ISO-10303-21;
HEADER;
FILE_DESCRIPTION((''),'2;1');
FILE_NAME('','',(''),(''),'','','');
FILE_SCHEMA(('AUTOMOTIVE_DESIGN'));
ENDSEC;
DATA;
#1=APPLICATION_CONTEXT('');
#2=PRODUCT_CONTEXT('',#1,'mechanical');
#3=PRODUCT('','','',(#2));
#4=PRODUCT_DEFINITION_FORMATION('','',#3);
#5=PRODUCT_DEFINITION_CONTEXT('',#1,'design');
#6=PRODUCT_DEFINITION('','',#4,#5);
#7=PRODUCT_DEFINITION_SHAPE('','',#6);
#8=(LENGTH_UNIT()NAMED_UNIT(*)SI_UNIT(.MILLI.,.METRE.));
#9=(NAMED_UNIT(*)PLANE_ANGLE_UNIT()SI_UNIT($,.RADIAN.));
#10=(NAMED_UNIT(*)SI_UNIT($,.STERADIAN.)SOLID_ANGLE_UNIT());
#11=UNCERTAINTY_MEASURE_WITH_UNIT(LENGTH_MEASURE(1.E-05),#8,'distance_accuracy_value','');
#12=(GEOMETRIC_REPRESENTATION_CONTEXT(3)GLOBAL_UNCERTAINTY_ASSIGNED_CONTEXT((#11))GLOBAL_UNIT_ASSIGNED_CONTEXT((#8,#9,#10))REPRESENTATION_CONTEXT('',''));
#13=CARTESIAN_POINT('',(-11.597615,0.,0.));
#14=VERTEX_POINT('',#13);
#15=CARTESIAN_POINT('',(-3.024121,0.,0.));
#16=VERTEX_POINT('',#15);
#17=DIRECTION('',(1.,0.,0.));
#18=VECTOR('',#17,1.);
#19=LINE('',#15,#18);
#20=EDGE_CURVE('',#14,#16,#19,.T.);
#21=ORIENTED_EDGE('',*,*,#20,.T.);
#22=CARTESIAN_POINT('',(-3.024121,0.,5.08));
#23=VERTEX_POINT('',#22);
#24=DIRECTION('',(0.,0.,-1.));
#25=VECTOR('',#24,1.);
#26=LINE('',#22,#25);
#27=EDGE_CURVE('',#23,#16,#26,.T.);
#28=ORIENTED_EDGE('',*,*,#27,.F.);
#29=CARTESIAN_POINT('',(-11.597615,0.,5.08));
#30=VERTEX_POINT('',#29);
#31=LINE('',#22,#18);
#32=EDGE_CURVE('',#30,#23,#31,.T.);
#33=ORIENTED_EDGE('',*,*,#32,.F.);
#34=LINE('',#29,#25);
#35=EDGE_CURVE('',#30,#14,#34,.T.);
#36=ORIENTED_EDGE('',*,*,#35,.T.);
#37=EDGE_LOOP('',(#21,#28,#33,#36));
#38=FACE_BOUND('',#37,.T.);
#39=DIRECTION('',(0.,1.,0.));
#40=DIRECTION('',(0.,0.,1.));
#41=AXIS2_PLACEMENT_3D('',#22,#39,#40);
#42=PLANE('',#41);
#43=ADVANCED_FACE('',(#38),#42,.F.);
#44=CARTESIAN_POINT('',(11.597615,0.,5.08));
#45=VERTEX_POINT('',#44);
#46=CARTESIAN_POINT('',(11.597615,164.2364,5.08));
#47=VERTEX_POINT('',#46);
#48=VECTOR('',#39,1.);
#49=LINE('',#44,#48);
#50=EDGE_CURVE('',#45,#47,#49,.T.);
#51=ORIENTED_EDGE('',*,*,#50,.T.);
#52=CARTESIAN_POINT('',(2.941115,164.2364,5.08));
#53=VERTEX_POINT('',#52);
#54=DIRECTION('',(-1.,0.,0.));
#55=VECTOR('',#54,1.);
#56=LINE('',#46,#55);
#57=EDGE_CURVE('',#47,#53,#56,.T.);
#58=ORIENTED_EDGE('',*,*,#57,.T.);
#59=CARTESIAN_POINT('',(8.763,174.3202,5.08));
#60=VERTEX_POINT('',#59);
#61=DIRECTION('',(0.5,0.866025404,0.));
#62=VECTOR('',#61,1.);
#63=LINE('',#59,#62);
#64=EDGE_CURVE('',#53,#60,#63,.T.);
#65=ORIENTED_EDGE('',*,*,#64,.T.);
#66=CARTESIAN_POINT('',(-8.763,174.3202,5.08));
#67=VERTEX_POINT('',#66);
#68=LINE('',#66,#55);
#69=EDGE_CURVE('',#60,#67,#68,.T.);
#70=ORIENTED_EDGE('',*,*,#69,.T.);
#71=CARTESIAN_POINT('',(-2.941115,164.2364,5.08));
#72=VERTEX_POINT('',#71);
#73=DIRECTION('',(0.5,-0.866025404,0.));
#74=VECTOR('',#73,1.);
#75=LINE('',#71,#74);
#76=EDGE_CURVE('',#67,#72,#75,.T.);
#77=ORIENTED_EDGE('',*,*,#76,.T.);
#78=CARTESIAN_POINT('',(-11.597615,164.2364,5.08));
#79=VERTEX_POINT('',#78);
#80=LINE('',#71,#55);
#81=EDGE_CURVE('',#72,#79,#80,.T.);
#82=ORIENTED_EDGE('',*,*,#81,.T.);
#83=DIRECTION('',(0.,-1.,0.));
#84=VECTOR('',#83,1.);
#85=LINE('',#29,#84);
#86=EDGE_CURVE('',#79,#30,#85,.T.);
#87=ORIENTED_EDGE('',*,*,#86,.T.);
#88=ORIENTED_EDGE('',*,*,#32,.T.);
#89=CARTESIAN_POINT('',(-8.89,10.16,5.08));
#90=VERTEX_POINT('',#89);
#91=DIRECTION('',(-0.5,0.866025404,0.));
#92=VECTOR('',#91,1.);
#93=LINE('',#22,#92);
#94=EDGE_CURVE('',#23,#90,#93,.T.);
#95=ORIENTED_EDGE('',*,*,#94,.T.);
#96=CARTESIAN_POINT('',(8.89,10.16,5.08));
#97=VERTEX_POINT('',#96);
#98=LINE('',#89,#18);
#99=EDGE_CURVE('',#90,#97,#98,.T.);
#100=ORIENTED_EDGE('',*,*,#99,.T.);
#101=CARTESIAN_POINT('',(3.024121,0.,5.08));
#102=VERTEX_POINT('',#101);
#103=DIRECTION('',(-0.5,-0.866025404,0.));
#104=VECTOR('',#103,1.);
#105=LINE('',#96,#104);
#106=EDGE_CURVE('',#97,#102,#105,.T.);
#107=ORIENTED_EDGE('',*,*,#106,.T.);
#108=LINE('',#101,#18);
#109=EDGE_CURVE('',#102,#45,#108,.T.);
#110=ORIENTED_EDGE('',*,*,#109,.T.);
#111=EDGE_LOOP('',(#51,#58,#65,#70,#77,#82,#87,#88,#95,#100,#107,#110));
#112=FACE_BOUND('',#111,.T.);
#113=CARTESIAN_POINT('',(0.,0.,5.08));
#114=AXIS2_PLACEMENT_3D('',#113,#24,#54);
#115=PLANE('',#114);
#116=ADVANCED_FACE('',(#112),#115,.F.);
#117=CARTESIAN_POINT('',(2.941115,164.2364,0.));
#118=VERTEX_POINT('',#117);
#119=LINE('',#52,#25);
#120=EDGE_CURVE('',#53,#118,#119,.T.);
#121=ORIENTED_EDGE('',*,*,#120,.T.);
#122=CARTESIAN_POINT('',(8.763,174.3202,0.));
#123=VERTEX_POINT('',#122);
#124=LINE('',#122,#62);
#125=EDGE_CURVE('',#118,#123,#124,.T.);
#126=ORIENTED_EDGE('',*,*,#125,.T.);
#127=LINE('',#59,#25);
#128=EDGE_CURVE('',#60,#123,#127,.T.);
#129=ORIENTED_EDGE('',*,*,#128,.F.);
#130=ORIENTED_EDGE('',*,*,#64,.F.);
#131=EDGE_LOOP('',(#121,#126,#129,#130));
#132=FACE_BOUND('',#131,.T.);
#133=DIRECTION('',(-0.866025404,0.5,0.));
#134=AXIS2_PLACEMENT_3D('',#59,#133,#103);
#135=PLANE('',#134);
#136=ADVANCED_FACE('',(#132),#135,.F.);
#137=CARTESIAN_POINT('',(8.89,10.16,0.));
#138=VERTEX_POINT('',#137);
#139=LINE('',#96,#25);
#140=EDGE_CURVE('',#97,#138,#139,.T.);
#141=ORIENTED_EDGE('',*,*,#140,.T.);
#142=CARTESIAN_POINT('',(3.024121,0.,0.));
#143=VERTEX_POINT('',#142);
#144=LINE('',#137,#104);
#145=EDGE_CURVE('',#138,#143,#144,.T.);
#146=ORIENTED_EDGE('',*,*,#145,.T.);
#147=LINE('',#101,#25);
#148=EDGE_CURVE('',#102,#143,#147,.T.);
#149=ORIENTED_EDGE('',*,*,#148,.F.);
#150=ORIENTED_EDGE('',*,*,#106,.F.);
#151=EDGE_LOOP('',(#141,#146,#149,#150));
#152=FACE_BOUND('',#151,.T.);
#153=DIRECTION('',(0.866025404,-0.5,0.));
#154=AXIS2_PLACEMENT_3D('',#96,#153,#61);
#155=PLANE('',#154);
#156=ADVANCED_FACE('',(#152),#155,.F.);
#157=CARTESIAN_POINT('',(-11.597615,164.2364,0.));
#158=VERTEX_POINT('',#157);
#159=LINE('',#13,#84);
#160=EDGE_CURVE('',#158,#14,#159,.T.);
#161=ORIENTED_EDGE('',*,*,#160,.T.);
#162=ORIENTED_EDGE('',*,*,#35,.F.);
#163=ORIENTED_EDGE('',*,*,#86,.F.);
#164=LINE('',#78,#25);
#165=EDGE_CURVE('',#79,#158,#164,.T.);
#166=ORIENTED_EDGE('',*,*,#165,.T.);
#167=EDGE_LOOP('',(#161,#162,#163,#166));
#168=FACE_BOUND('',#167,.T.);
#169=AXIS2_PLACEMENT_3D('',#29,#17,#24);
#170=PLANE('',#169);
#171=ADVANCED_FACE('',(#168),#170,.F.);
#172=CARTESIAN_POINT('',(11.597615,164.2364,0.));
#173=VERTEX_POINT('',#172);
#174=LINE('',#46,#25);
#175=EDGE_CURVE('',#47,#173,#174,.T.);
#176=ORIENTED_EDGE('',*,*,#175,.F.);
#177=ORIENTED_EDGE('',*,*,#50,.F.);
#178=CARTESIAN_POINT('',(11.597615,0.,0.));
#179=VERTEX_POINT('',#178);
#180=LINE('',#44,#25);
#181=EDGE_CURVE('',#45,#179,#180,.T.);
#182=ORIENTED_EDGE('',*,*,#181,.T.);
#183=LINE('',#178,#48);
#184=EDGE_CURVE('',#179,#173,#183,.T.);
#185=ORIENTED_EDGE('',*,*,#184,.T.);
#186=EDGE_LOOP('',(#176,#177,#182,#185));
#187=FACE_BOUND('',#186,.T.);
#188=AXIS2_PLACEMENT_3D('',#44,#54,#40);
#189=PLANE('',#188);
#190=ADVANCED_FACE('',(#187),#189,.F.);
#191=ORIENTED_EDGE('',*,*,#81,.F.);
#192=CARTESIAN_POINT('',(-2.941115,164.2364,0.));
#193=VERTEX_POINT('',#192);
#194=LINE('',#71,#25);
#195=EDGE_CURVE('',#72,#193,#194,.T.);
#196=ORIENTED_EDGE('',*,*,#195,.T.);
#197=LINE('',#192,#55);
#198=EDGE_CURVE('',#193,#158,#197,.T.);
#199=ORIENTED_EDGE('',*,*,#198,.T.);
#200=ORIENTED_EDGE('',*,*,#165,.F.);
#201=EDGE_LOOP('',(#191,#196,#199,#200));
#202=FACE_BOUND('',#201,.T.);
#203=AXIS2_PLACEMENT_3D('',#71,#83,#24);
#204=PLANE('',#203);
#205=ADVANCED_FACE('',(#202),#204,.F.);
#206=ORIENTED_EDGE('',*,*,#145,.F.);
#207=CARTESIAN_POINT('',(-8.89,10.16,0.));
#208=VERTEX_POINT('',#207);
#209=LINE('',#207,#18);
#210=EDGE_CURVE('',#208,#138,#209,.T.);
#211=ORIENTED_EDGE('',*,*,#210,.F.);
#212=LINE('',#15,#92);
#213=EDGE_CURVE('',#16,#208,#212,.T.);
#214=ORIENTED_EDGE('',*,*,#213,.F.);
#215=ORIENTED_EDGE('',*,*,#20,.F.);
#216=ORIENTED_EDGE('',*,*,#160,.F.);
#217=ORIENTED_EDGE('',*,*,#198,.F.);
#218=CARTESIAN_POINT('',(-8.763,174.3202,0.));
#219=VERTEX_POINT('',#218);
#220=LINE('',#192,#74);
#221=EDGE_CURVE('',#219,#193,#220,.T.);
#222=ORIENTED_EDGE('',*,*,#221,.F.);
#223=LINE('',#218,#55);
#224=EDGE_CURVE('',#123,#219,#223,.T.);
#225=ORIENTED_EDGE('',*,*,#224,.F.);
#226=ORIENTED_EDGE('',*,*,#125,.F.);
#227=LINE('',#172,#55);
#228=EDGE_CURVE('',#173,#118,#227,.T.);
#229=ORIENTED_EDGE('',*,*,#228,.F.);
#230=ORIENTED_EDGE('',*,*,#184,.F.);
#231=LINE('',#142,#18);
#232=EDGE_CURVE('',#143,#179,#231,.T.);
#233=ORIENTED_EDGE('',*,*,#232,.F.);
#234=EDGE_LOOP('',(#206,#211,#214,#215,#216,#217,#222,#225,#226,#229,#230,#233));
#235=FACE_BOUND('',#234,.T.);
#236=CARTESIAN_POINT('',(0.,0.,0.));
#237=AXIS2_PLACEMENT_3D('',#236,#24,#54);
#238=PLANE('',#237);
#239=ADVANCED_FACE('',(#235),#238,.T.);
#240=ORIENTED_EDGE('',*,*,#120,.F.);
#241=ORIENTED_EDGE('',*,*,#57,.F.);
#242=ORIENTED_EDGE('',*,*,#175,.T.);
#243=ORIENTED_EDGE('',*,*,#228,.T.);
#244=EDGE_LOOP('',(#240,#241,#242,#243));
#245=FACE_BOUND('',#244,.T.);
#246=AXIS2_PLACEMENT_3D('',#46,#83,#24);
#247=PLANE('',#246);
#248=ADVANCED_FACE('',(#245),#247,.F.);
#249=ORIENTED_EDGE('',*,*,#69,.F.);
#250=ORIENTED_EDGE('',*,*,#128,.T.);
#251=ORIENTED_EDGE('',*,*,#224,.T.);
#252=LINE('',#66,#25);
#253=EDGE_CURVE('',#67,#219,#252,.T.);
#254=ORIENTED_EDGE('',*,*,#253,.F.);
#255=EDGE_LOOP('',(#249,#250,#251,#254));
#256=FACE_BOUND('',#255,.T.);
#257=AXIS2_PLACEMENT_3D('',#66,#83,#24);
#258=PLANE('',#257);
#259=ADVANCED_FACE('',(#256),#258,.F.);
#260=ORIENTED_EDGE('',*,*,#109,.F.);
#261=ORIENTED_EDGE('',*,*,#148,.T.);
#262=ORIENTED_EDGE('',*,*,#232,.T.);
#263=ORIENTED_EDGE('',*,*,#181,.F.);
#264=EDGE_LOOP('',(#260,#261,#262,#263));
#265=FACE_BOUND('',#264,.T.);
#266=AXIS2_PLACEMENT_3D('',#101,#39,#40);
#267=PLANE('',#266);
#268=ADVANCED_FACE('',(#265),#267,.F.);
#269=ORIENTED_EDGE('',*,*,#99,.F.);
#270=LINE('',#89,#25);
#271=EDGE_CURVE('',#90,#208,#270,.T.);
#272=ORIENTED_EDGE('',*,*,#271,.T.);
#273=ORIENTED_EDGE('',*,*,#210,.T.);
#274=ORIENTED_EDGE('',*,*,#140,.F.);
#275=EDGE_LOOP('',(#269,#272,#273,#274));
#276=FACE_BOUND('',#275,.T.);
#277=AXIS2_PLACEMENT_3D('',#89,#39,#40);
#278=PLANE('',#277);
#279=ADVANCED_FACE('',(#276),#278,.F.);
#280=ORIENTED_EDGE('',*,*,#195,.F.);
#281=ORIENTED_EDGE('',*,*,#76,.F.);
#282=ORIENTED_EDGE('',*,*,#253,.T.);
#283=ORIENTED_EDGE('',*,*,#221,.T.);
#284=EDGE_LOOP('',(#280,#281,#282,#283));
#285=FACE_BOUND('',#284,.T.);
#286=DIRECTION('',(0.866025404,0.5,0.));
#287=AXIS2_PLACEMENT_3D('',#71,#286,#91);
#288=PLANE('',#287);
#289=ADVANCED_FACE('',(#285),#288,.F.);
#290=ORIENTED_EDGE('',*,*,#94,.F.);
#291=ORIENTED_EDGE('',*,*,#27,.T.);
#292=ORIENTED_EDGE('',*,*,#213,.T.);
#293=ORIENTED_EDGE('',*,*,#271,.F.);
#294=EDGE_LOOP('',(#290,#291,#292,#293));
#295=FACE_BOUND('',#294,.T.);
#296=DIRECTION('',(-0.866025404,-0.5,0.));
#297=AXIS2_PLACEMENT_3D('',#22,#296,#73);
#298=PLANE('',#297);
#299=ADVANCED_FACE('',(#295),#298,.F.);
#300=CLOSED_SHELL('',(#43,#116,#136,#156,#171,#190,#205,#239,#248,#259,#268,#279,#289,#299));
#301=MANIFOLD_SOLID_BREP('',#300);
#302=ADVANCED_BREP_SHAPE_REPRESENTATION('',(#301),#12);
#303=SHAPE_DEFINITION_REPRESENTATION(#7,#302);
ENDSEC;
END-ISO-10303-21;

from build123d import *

# Parameters (mm, degrees)
BOSS_EXTRUDE1_DEPTH = 5.08


with BuildPart() as part:
    # Sketch1 → Boss-Extrude1 (new body)
    with BuildSketch(Plane.XY):
        Polygon((-3.024121265, 0), (-8.89, 10.16), (8.89, 10.16), (3.024121265, 0), (11.5976146, 0), (11.5976146, 164.2364), (2.941115356, 164.2364), (8.763, 174.3202), (-8.763, 174.3202), (-2.941115356, 164.2364), (-11.5976146, 164.2364), (-11.5976146, 0), align=None)
    extrude(amount=BOSS_EXTRUDE1_DEPTH)


solid = part.part
